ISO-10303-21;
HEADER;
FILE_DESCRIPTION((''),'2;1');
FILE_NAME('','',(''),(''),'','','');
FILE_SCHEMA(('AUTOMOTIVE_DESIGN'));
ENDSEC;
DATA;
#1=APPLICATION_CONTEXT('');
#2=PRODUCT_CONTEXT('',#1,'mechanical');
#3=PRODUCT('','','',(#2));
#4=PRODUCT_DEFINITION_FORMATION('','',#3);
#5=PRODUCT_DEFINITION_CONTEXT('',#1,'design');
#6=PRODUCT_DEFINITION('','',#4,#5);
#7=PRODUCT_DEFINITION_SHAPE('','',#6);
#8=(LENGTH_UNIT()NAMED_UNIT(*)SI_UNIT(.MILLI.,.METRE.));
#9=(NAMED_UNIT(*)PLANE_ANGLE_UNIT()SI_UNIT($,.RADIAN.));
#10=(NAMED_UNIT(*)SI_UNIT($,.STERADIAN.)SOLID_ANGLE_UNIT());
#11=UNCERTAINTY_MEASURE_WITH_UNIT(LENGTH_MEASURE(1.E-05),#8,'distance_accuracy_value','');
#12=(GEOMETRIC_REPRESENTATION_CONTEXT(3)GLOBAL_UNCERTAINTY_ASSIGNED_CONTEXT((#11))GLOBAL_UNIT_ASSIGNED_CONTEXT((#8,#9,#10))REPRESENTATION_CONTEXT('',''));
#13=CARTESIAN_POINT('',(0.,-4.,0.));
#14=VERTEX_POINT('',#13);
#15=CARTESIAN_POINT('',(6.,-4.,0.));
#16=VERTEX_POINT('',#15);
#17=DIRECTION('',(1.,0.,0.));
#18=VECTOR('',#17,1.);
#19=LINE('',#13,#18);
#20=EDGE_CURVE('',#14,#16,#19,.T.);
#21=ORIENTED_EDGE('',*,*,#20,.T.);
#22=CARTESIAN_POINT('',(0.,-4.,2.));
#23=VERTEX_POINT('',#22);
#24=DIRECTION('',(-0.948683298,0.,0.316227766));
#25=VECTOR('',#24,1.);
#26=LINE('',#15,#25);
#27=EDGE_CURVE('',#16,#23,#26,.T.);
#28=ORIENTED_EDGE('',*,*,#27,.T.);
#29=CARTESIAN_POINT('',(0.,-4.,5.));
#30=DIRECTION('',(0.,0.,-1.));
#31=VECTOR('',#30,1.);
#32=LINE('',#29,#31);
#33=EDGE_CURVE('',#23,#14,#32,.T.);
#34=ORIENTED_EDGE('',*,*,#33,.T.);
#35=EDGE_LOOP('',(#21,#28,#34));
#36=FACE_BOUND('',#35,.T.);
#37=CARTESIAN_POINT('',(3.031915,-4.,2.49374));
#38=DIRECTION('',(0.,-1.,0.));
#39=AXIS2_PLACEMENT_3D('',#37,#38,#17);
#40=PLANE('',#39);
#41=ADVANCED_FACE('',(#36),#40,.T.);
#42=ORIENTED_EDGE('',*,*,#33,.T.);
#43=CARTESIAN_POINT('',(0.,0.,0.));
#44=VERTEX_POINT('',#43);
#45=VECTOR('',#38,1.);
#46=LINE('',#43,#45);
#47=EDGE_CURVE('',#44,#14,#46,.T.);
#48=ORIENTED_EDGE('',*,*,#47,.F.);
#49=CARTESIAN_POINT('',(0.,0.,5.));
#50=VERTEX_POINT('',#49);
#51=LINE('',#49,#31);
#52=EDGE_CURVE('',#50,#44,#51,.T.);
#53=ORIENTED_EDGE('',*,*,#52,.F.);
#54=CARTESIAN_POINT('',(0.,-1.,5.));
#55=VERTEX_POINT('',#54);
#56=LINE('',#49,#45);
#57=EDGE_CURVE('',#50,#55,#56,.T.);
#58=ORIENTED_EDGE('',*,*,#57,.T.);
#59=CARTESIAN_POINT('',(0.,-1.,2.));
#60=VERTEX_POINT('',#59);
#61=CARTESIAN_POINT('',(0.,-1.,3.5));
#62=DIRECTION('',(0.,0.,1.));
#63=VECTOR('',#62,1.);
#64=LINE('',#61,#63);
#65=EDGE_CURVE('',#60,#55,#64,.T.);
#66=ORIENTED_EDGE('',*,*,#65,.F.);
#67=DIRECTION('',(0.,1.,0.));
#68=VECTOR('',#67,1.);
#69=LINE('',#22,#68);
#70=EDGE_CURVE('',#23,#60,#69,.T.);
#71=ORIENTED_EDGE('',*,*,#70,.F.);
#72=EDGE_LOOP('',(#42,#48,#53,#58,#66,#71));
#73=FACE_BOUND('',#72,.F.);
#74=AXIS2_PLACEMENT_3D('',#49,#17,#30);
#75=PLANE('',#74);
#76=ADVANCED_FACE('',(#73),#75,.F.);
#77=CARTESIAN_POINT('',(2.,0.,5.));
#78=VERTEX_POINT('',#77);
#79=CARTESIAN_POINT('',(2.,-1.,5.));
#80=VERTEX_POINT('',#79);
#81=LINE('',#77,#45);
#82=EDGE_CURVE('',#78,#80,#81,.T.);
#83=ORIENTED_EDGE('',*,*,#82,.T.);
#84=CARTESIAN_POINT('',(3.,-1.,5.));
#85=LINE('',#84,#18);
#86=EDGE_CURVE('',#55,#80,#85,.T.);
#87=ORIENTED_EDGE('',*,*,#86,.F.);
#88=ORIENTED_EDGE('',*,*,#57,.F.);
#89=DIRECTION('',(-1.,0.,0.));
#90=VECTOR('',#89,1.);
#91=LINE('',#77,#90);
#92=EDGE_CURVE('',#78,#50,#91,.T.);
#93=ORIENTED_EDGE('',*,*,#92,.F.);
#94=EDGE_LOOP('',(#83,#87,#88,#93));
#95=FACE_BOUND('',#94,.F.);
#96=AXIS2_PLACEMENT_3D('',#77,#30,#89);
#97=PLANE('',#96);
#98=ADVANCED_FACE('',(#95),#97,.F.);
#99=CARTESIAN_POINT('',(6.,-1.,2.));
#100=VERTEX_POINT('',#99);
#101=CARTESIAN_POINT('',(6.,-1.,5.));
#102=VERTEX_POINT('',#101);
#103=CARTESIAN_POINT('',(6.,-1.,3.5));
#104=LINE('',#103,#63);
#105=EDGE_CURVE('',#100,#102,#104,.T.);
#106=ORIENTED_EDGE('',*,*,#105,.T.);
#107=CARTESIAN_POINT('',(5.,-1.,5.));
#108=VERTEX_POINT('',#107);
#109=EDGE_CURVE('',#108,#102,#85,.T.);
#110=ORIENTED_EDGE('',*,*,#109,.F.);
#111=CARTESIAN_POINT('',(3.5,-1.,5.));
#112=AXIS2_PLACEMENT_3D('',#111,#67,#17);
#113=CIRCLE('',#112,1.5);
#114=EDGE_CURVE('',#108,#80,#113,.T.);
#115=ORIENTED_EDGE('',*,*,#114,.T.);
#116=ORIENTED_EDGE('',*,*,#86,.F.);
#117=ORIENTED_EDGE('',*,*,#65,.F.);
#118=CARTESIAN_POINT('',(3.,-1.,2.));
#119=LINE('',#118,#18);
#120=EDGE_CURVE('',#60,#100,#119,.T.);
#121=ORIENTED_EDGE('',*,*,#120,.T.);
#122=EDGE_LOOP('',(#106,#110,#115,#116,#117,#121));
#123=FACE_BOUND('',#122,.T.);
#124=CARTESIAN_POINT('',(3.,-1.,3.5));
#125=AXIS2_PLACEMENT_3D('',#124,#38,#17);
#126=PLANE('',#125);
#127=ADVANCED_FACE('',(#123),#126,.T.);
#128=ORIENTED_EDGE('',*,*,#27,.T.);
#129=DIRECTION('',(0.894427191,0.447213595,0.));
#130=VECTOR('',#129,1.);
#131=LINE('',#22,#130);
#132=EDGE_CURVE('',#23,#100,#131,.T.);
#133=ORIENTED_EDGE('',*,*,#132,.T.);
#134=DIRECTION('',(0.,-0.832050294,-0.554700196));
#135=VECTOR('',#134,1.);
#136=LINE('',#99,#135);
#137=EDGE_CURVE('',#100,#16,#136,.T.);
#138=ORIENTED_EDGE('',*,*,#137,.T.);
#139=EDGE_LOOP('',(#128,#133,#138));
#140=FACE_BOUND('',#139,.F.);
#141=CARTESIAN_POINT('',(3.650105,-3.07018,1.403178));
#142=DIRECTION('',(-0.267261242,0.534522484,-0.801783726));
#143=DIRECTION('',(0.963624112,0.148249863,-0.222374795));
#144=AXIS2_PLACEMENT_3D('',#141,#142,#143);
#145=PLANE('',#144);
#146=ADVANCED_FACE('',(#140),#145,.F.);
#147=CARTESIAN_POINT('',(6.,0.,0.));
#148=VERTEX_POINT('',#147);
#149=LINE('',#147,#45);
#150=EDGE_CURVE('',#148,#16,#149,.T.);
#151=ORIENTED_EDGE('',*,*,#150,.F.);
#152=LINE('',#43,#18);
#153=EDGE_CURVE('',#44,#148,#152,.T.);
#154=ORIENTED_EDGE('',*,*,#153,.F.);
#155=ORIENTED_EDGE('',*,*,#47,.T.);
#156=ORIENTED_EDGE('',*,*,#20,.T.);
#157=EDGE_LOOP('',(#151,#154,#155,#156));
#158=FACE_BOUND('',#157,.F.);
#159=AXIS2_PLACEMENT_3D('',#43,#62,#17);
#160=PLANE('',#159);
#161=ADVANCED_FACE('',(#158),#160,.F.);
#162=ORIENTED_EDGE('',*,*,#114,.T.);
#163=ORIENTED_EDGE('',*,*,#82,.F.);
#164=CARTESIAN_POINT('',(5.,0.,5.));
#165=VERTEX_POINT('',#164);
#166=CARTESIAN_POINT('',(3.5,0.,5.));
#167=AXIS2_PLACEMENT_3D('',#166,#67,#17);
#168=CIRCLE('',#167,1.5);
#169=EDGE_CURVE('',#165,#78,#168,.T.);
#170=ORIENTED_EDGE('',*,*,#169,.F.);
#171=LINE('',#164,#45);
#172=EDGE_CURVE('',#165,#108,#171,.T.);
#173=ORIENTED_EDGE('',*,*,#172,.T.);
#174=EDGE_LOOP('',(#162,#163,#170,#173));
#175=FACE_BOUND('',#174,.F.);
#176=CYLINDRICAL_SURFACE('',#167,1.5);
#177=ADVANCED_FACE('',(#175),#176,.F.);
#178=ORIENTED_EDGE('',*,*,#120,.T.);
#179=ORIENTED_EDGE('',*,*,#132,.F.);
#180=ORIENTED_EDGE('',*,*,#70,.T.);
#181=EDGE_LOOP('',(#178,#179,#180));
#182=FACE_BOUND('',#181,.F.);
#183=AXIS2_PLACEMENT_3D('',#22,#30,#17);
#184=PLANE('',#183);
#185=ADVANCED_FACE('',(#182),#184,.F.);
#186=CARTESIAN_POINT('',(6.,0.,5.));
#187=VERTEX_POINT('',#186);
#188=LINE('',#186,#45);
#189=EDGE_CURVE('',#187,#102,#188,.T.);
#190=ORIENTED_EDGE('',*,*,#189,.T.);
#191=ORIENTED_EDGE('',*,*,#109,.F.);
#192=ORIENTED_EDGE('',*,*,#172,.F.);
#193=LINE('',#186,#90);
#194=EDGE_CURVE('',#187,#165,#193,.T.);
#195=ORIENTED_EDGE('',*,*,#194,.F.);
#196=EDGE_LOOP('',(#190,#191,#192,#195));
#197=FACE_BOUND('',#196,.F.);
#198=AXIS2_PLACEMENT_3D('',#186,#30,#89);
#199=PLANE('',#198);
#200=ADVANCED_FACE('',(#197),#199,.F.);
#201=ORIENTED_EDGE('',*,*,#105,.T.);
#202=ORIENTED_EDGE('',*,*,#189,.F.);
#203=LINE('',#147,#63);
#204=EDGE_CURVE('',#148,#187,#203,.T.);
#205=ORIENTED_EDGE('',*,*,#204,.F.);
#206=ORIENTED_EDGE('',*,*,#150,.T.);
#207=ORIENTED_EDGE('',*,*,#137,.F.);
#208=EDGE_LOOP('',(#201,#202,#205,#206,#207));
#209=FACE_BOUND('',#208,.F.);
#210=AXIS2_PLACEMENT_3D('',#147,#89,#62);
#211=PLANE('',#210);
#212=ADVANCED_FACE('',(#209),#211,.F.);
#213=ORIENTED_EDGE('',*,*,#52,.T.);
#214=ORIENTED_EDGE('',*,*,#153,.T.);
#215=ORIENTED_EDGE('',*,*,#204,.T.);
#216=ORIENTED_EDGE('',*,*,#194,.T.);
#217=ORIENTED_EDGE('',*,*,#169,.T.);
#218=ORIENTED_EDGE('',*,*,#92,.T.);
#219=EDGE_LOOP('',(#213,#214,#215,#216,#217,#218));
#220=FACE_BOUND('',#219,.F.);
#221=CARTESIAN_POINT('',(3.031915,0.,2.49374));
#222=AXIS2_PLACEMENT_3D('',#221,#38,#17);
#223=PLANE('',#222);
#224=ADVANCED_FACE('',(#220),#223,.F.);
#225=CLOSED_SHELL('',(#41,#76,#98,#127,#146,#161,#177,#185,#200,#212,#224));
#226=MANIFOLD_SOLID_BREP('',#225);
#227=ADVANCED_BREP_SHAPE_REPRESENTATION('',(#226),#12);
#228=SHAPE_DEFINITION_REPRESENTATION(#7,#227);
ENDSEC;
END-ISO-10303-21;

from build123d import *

# Parameters (mm, degrees)
F1_DEPTH = 4
F2_W     = 6
F2_H     = 3
F3_DEPTH = 3
F6_DEPTH = 4.0099186287


with BuildPart() as f1:
    # F0 (on Front) → F1 (new body)
    with BuildSketch(Plane.XZ):
        with BuildLine():
            Line((0, 5), (0, 0))
            Line((0, 0), (6, 0))
            Line((6, 0), (6, 5))
            Line((6, 5), (5, 5))
            ThreePointArc((5, 5), (3.5, 3.5), (2, 5))
            Line((2, 5), (0, 5))
        make_face()
    extrude(amount=F1_DEPTH)

    # F2 (on face) → F3 (cut)
    with BuildSketch(Plane.XZ.offset(4)):
        with Locations((3, 3.5)):
            Rectangle(F2_W, F2_H)
    extrude(amount=-F3_DEPTH, mode=Mode.SUBTRACT)

    # F5 (on 3pt) → F6 (cut, through all)
    with BuildSketch(Plane(origin=(1, -2, 3), x_dir=(0.9636241117, 0.1482498633, -0.222374795), z_dir=(-0.2672612419, 0.5345224838, -0.8017837257))):
        Polygon((5.1887452166, 3.3282011774), (-1.0377490433, 2.2188007849), (5.1887452166, -0.2773500981), align=None)
    extrude(amount=-F6_DEPTH, mode=Mode.SUBTRACT)


solid = f1.part
